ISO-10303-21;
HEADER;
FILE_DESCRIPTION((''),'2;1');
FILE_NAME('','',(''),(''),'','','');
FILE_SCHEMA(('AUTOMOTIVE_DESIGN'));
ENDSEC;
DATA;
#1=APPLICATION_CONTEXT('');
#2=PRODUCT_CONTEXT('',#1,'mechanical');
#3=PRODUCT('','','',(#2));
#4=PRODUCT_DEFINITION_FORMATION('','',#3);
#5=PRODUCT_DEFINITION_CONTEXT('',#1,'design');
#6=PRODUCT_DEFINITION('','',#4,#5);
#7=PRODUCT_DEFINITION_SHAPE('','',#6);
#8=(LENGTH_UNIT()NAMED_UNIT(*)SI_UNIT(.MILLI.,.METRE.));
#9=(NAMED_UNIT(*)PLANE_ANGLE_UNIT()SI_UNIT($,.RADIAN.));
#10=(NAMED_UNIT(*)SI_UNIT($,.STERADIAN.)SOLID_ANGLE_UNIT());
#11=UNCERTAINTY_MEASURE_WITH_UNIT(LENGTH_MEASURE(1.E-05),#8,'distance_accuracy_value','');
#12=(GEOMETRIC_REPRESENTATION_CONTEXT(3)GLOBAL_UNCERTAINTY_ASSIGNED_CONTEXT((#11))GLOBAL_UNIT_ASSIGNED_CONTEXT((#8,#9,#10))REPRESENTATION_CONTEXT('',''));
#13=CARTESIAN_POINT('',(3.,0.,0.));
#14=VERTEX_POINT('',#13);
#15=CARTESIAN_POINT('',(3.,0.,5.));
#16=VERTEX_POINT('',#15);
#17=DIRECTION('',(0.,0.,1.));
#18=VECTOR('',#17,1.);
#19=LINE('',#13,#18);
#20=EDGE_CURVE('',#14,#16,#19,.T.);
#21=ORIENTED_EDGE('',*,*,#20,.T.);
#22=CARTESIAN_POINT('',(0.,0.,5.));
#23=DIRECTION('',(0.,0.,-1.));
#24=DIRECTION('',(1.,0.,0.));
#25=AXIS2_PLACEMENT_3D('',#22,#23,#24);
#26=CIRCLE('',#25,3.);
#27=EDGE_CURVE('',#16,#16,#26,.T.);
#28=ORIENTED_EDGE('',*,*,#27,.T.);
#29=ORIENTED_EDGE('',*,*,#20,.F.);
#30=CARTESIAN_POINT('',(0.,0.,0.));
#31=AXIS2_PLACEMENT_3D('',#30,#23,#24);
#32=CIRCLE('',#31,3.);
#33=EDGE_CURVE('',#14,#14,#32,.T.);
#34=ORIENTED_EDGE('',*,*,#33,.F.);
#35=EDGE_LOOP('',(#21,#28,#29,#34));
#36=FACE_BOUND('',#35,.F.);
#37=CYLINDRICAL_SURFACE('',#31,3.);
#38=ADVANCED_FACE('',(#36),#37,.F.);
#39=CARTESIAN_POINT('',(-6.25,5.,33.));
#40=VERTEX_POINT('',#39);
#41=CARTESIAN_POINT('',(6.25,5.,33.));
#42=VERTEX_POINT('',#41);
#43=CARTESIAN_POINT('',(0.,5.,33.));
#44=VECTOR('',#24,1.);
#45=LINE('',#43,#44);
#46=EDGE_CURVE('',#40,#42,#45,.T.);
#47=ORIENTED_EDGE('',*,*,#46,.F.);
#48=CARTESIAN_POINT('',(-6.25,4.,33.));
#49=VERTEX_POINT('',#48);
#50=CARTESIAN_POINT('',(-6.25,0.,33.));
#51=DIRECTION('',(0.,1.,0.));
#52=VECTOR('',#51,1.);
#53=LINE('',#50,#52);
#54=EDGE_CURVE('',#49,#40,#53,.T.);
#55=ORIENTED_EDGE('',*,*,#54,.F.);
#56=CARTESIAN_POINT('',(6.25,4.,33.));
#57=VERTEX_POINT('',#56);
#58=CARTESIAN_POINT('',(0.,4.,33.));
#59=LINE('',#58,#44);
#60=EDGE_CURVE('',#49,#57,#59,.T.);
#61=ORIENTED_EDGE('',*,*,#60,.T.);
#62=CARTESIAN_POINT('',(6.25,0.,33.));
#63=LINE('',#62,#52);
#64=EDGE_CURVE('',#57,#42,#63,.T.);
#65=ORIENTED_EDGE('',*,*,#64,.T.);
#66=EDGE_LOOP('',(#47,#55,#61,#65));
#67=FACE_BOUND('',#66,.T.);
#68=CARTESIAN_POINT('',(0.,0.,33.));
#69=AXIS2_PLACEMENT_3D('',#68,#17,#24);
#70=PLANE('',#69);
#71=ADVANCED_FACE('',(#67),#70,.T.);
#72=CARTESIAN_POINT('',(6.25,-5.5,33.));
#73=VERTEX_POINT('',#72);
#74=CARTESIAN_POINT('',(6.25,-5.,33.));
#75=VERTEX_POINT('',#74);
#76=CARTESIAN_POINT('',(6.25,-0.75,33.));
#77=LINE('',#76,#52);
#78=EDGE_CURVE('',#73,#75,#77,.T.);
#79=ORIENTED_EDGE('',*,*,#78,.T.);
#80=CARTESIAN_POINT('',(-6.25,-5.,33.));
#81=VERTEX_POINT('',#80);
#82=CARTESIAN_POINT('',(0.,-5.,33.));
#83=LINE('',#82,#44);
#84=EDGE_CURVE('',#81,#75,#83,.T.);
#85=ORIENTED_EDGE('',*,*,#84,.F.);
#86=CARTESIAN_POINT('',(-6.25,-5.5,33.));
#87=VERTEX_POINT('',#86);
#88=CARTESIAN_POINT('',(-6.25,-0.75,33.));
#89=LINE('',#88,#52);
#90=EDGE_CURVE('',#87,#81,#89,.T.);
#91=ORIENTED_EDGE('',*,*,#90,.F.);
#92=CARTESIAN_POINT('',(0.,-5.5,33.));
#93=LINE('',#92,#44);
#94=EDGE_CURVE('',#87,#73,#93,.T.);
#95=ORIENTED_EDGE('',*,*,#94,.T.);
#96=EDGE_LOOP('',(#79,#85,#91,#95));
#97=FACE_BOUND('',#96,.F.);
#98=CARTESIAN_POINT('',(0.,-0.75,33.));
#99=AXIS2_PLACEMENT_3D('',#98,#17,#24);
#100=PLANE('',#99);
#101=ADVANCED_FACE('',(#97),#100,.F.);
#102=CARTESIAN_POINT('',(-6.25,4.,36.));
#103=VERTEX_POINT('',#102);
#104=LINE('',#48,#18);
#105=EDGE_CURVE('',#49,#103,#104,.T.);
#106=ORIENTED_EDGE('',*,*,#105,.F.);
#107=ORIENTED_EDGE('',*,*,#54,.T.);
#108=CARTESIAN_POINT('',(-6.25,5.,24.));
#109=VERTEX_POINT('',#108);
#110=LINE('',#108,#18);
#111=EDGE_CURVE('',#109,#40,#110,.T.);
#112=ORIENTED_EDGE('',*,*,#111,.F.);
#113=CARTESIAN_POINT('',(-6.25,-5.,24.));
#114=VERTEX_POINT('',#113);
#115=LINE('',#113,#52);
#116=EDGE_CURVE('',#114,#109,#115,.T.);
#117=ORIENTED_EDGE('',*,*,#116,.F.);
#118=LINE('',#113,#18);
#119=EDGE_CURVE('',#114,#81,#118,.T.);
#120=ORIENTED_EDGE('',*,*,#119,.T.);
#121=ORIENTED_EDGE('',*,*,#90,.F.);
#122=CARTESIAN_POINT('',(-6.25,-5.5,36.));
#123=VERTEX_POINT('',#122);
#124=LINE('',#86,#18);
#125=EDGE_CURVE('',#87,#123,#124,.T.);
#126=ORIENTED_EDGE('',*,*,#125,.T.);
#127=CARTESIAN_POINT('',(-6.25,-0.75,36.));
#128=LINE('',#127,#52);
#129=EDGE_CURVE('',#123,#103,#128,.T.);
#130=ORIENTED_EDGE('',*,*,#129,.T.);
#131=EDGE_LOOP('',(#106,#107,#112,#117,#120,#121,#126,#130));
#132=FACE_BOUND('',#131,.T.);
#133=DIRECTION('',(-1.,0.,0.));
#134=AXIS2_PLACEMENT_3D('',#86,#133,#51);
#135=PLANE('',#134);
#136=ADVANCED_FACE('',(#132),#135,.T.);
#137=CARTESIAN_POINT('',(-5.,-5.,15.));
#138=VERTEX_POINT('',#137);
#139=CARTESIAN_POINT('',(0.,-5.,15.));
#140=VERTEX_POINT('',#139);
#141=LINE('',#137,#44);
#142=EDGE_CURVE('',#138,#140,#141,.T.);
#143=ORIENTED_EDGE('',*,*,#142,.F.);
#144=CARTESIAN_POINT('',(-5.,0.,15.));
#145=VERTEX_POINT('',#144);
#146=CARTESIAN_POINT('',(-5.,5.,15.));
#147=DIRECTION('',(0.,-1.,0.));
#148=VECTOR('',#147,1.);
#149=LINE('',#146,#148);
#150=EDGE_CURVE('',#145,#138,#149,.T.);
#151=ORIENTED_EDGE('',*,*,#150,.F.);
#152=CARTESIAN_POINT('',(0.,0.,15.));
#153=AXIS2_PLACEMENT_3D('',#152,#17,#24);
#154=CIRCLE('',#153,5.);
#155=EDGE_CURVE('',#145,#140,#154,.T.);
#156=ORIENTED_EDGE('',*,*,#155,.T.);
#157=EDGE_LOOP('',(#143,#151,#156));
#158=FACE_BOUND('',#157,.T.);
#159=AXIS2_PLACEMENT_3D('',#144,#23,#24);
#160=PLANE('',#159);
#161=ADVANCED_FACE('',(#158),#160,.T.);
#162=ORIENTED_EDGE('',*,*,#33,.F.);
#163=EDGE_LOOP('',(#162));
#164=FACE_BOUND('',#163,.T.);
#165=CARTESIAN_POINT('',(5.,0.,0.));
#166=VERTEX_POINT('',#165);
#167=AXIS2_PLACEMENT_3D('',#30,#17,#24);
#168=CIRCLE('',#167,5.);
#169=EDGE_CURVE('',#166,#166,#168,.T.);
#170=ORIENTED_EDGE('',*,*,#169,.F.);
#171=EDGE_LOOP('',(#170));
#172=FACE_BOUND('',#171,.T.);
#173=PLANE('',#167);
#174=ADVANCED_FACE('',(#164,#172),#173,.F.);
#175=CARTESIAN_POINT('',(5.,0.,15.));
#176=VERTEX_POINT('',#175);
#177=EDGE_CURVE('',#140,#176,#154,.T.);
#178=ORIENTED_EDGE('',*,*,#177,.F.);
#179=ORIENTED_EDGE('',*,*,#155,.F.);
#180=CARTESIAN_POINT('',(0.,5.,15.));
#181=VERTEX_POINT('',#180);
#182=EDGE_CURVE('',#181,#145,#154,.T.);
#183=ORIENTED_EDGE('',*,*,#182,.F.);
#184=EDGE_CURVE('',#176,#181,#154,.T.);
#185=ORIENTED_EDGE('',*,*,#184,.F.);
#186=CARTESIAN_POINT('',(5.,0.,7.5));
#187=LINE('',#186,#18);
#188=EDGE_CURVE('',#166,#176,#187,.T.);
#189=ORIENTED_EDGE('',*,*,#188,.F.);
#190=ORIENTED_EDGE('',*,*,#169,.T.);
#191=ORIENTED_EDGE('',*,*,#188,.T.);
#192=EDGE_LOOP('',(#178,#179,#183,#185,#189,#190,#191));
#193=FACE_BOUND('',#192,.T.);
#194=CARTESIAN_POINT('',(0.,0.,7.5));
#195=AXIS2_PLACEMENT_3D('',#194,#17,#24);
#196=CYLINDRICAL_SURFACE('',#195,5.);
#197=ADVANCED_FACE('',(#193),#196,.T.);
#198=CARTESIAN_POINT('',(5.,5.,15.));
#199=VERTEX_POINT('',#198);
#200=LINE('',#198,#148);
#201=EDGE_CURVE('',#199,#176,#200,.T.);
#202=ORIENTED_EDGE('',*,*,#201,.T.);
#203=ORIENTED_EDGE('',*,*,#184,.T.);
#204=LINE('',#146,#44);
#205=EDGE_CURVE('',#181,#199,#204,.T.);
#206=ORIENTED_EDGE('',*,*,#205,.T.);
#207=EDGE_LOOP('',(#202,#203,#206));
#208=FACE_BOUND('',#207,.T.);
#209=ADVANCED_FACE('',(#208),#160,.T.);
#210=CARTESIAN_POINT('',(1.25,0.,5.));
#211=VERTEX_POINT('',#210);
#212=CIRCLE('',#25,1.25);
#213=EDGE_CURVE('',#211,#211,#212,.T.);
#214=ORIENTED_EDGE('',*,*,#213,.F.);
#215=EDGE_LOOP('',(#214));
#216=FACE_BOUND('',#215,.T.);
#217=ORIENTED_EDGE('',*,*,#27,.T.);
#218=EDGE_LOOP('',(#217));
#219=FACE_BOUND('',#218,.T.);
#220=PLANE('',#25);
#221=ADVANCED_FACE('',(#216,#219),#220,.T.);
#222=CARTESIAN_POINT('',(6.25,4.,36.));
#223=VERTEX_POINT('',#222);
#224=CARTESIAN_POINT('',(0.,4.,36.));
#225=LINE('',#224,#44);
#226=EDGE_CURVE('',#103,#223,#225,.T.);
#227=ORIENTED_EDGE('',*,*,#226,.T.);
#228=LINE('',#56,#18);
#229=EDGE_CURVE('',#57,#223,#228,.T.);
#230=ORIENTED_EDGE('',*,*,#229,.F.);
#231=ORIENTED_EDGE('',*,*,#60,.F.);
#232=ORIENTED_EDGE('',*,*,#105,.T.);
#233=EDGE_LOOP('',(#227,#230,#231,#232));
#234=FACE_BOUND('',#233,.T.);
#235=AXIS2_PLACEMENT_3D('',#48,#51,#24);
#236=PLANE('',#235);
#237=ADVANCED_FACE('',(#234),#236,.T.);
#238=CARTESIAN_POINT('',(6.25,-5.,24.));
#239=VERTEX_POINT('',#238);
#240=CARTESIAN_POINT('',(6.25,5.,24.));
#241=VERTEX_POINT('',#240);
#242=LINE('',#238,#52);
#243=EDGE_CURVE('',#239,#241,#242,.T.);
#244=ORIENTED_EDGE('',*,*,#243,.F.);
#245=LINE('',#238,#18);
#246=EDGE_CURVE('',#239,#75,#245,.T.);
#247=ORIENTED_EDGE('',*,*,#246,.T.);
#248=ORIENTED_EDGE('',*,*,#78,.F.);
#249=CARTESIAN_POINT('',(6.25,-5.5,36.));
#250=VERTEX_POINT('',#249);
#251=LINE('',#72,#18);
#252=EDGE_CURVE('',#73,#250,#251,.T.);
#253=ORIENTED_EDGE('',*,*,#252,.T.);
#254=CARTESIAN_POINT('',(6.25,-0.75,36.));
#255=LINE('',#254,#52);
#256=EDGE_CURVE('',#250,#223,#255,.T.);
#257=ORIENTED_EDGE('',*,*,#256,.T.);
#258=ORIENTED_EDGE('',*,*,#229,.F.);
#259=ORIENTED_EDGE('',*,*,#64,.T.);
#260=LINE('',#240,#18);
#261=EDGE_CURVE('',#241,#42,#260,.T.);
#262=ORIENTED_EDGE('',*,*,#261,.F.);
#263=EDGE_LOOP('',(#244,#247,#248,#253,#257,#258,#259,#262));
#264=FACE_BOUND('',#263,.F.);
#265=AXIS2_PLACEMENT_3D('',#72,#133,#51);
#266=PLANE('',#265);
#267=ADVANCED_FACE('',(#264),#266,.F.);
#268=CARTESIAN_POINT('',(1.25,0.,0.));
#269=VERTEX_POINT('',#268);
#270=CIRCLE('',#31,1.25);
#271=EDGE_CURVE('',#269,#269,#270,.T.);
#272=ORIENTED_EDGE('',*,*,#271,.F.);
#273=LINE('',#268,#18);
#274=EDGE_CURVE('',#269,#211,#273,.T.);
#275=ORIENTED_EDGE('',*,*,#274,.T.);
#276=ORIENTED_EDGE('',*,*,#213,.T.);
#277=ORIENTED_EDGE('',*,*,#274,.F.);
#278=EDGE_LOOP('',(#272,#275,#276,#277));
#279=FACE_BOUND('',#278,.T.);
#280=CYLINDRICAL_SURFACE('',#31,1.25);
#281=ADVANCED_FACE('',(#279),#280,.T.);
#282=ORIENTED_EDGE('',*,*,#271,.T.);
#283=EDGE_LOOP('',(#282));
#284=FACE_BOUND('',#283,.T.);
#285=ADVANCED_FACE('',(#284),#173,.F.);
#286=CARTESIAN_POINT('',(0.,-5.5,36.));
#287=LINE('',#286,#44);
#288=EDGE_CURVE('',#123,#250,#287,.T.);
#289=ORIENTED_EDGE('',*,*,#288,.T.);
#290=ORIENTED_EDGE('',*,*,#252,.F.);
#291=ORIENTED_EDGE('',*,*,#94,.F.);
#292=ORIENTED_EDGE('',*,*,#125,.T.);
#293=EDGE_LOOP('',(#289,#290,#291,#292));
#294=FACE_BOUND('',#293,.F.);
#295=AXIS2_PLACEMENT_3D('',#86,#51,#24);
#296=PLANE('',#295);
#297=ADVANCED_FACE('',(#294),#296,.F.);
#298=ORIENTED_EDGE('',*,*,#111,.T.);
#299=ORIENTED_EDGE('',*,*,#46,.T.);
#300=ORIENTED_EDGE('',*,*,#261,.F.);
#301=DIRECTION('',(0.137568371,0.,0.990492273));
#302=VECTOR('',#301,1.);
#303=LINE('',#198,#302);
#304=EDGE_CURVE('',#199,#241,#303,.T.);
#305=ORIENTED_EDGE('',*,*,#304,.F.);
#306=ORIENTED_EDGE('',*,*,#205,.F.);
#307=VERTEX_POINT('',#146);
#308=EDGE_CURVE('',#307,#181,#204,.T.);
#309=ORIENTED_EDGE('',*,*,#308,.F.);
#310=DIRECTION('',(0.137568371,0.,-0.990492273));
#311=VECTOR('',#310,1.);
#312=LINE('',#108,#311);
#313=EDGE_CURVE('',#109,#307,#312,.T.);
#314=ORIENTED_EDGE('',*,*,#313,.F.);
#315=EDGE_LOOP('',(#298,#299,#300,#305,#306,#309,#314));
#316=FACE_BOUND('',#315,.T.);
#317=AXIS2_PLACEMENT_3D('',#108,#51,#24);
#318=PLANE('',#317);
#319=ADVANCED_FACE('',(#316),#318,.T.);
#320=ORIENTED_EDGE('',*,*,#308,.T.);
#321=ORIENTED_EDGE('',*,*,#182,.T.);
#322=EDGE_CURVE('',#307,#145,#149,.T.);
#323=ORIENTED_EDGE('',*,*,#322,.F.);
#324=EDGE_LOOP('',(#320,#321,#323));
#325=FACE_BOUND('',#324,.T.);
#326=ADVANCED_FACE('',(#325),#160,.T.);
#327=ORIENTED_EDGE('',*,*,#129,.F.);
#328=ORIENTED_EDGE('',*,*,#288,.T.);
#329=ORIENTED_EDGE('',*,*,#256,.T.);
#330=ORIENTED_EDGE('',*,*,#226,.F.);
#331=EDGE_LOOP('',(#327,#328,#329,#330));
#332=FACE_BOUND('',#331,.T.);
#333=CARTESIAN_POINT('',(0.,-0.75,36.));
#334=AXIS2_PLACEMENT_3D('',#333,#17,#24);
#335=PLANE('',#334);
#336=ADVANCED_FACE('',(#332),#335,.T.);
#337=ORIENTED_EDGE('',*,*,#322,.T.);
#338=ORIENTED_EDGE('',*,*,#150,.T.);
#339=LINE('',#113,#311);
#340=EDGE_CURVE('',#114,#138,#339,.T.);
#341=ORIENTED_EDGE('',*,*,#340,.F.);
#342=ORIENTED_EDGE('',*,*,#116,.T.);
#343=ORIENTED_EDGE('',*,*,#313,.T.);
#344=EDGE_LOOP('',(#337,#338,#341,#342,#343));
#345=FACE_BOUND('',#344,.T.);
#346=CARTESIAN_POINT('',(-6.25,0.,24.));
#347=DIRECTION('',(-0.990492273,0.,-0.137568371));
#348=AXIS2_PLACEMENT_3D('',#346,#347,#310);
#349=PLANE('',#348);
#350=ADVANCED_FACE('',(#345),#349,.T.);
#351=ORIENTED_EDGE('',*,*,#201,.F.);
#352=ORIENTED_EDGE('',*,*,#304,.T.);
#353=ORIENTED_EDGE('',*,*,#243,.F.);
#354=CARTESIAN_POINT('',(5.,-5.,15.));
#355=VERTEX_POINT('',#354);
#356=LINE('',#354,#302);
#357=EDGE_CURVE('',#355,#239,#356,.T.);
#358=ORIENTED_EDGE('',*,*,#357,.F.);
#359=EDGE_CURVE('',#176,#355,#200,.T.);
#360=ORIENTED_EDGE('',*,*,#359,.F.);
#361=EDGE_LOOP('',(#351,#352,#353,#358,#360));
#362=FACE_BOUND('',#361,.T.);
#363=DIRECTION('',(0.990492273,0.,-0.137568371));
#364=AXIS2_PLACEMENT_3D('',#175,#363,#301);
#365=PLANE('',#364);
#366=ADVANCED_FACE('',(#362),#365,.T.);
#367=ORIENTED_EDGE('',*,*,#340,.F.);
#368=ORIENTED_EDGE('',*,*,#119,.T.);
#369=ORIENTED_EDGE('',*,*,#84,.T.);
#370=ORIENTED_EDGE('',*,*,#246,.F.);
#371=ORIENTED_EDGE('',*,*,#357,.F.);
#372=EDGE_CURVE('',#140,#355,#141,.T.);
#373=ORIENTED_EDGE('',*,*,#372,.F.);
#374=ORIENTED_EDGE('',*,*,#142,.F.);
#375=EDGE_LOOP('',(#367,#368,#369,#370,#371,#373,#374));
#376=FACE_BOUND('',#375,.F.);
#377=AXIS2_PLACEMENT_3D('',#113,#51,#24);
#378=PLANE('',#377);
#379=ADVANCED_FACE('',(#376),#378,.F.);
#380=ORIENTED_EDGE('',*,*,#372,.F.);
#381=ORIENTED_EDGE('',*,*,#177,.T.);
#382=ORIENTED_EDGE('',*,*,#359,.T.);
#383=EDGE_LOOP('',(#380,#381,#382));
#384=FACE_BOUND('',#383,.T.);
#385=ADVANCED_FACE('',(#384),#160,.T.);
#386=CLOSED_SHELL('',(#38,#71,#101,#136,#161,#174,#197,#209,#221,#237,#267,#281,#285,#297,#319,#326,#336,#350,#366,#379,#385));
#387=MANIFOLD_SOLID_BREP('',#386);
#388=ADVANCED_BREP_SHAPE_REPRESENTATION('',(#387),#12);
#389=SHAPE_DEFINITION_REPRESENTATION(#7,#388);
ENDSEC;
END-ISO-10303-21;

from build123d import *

# Parameters (mm, degrees)
F0_W     = 5
F0_H     = 15
F2_R     = 3
F2_R_2   = 1.25
F3_DEPTH = 5
F5_DEPTH = 5
F6_W     = 12.5
F6_H     = 10
F7_DEPTH = 9
F8_W     = 12.5
F8_H     = 9.5
F9_DEPTH = 3


with BuildPart() as f1:
    # F0 (on Front) → F1 (revolve)
    with BuildSketch(Plane.XZ):
        with Locations((2.5, 7.5)):
            Rectangle(F0_W, F0_H)
    revolve(axis=Axis((0, 0, 7.5), (0, 0, 1)))

    # F2 (on face) → F3 (cut)
    with BuildSketch(Plane(origin=(0, 0, 0), x_dir=(1, 0, 0), z_dir=(0, 0, -1))):
        Circle(F2_R)
        Circle(F2_R_2, mode=Mode.SUBTRACT)
    extrude(amount=-F3_DEPTH, mode=Mode.SUBTRACT)

    # F4 (on Front) → F5 (join, symmetric)
    with BuildSketch(Plane.XZ):
        Polygon((-6.25, 24), (-5, 15), (5, 15), (6.25, 24), align=None)
    extrude(amount=F5_DEPTH, both=True)

    # F6 (on face) → F7 (join)
    with BuildSketch(Plane.XY.offset(24)):
        Rectangle(F6_W, F6_H)
    extrude(amount=F7_DEPTH)

    # F8 (on face) → F9 (join)
    with BuildSketch(Plane.XY.offset(33)):
        with Locations((0, -0.75)):
            Rectangle(F8_W, F8_H)
    extrude(amount=F9_DEPTH)


solid = f1.part
